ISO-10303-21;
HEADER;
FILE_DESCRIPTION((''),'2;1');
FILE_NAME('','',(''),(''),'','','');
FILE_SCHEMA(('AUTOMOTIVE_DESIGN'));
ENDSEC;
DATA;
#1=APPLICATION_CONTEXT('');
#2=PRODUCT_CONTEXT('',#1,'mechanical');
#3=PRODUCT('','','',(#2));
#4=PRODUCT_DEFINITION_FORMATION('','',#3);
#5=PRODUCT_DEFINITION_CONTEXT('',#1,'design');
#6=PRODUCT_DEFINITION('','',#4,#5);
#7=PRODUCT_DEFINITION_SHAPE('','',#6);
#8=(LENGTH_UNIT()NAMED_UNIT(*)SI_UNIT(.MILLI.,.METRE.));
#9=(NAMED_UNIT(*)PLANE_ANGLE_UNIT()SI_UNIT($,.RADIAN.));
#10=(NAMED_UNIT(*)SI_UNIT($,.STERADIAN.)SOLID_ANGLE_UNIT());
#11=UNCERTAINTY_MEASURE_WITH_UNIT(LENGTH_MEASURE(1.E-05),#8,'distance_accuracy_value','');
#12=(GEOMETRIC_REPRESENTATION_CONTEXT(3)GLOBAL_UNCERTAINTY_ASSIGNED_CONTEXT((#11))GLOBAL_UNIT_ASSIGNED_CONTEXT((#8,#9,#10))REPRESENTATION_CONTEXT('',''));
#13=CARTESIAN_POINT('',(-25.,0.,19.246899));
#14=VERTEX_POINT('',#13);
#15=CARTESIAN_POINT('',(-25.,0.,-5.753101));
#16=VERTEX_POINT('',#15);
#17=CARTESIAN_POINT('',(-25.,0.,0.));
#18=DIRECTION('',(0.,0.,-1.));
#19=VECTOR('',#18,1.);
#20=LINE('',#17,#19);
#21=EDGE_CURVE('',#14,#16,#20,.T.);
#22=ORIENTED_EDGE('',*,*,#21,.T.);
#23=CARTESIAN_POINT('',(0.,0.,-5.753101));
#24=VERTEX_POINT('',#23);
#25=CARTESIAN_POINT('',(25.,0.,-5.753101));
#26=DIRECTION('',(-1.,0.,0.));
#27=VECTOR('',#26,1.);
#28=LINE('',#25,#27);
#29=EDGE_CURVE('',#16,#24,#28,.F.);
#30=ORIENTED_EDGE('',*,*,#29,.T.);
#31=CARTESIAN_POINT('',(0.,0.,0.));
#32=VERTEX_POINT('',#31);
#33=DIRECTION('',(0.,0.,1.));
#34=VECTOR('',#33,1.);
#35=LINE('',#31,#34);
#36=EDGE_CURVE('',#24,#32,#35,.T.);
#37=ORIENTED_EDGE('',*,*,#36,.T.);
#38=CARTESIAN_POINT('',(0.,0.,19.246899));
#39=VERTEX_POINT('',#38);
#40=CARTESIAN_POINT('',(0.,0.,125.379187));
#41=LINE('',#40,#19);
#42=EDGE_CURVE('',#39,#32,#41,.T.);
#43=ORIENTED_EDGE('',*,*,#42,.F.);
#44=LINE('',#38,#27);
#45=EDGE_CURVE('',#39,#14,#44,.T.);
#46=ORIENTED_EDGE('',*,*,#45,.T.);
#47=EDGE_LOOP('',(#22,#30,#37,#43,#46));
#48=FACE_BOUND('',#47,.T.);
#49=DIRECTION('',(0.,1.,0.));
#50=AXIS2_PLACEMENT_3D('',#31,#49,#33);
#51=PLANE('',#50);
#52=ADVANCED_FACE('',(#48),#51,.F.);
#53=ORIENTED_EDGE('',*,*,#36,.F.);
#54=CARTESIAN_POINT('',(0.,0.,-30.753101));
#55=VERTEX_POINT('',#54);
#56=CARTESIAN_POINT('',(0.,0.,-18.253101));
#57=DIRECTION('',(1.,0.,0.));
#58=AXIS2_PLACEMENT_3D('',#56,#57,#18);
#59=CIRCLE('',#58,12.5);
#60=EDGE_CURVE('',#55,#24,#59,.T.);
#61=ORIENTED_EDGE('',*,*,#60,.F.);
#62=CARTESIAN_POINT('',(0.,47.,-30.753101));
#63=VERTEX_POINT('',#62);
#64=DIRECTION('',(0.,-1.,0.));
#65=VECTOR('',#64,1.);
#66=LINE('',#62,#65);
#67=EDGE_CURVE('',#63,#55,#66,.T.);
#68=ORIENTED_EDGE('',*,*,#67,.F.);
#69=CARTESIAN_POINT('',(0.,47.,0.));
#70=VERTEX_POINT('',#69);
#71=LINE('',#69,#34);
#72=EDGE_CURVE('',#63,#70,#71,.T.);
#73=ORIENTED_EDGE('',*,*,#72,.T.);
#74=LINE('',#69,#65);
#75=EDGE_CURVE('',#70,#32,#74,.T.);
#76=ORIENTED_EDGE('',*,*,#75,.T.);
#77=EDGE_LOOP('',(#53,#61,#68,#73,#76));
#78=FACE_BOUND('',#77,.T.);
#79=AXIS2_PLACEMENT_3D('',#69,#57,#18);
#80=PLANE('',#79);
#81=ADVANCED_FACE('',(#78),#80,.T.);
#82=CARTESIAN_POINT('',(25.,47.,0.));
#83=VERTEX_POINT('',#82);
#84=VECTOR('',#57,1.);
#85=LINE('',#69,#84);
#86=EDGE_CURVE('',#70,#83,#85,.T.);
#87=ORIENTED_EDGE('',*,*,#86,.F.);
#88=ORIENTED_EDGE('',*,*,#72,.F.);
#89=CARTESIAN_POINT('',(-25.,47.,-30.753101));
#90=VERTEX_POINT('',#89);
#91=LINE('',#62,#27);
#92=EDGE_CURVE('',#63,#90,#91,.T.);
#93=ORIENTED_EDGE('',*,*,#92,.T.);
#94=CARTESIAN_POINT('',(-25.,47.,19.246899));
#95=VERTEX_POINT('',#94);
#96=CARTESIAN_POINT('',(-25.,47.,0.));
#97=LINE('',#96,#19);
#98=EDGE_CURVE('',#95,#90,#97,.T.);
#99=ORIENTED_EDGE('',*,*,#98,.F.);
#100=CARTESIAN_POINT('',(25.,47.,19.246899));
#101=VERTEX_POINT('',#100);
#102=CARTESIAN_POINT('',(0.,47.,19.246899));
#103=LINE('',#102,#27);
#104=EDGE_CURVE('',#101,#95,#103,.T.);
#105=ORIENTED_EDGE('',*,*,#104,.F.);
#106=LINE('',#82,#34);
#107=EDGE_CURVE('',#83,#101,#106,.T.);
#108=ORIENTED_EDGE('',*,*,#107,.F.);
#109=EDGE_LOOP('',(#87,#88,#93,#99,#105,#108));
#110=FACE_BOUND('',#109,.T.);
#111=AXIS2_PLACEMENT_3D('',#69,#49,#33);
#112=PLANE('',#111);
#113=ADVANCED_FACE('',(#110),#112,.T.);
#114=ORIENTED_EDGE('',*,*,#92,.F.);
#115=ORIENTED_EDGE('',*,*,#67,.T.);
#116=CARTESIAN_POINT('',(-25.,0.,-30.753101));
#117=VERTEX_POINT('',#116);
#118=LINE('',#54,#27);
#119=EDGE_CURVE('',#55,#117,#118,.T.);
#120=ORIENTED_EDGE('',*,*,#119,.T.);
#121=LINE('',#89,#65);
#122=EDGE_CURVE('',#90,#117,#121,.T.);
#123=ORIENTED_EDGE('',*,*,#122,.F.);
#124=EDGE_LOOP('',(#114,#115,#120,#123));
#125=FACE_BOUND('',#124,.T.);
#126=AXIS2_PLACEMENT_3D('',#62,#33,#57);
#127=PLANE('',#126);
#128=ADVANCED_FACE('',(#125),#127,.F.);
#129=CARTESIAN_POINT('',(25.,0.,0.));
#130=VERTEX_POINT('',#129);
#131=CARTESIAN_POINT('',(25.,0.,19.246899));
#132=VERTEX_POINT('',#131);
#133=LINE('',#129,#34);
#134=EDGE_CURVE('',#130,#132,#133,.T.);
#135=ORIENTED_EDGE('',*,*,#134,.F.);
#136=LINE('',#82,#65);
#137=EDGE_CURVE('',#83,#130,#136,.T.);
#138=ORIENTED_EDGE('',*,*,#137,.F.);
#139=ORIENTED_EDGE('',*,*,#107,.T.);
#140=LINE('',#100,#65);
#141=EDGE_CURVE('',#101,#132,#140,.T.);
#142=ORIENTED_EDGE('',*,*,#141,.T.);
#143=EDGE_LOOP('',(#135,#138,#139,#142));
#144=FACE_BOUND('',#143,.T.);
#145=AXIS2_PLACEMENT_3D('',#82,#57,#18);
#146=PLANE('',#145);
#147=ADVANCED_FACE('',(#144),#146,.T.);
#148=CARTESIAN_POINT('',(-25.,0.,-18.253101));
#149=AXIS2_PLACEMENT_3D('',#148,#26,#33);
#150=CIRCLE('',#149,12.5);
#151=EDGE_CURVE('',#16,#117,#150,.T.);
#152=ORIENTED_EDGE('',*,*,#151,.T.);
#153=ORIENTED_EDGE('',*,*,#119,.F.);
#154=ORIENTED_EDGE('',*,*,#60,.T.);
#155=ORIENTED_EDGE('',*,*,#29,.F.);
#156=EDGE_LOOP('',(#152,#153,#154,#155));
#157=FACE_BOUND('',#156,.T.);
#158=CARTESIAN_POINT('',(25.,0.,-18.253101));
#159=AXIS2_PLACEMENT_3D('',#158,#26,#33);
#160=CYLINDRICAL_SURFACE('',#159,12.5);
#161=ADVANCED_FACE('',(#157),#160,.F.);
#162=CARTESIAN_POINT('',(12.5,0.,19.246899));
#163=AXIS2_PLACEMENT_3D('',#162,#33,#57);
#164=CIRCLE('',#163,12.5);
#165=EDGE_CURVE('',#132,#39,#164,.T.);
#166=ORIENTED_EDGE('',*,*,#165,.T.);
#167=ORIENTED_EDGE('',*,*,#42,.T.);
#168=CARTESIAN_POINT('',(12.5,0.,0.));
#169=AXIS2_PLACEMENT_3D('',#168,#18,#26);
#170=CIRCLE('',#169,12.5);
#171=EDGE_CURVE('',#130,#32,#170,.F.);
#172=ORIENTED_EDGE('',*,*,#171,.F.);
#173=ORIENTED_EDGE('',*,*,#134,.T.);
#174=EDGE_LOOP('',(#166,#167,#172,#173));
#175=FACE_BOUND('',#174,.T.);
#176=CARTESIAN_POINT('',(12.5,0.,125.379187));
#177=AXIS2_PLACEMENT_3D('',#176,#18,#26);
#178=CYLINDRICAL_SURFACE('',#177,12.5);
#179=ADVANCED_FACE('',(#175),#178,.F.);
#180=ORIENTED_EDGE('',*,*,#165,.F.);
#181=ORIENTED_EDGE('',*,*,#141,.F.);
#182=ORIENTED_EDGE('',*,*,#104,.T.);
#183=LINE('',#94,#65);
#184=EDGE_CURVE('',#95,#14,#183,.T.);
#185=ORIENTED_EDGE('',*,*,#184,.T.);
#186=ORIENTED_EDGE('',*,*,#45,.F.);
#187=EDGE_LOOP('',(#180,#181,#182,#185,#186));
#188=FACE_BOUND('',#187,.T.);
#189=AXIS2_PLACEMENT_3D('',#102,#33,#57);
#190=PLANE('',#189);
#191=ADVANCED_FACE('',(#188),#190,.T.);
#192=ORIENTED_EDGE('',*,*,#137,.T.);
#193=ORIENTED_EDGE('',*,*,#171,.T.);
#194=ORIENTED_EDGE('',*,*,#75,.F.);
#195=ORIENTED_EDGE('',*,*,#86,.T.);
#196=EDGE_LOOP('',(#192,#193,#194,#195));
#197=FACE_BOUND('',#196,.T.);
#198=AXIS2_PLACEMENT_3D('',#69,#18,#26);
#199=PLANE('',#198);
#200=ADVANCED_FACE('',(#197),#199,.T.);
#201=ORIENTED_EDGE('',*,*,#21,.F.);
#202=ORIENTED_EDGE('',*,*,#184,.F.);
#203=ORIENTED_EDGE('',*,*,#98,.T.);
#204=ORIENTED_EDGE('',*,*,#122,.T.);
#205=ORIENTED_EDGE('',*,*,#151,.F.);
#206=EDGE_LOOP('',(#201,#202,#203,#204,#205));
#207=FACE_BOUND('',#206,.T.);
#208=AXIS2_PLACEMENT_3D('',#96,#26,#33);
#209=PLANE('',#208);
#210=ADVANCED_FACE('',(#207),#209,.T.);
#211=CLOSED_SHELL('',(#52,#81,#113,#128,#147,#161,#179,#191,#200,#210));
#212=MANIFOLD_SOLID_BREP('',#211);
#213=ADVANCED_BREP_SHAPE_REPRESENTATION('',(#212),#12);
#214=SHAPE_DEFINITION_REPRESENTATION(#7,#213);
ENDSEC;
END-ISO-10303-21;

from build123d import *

# Parameters (mm, degrees)
SKETCH1_W               = 25
SKETCH1_H               = 19.246899001
BOSS_EXTRUDE1_DEPTH     = 47
CUT_EXTRUDE1_DEPTH      = 74.034238546
CUT_EXTRUDE1_DEPTH_BACK = 50
SKETCH3_R               = 12.5
CUT_EXTRUDE2_DEPTH      = 50


with BuildPart() as part:
    # Sketch1 → Boss-Extrude1 (new body)
    with BuildSketch(Plane(origin=(0, 0, 0), x_dir=(1, 0, 0), z_dir=(0, 1, 0))):
        Polygon((0, -19.246899001), (0, 0), (0, 30.753100999), (-25, 30.753100999), (-25, -19.246899001), align=None)
        with Locations((12.5, -9.623449501)):
            Rectangle(SKETCH1_W, SKETCH1_H)
    extrude(amount=BOSS_EXTRUDE1_DEPTH)

    # Sketch2 → Cut-Extrude1 (cut, two sides: drawn at the far end of the back side and taken through both)
    with BuildSketch(Plane.XY.offset(19.246899001).offset(-CUT_EXTRUDE1_DEPTH_BACK)):
        with BuildLine():
            Line((25, -147.244307714), (25, 0))
            ThreePointArc((25, 0), (12.5, 12.5), (0, 0))
            Line((0, 0), (0, -147.244307714))
            Line((0, -147.244307714), (0, -441.732923143))
            Line((0, -441.732923143), (25, -441.732923143))
            Line((25, -441.732923143), (25, -147.244307714))
        make_face()
    extrude(amount=CUT_EXTRUDE1_DEPTH + CUT_EXTRUDE1_DEPTH_BACK, mode=Mode.SUBTRACT)

    # Sketch3 → Cut-Extrude2 (cut)
    with BuildSketch(Plane.ZY.offset(25)):
        with Locations((-18.253100999, 0)):
            Circle(SKETCH3_R)
    extrude(amount=-CUT_EXTRUDE2_DEPTH, mode=Mode.SUBTRACT)


solid = part.part
